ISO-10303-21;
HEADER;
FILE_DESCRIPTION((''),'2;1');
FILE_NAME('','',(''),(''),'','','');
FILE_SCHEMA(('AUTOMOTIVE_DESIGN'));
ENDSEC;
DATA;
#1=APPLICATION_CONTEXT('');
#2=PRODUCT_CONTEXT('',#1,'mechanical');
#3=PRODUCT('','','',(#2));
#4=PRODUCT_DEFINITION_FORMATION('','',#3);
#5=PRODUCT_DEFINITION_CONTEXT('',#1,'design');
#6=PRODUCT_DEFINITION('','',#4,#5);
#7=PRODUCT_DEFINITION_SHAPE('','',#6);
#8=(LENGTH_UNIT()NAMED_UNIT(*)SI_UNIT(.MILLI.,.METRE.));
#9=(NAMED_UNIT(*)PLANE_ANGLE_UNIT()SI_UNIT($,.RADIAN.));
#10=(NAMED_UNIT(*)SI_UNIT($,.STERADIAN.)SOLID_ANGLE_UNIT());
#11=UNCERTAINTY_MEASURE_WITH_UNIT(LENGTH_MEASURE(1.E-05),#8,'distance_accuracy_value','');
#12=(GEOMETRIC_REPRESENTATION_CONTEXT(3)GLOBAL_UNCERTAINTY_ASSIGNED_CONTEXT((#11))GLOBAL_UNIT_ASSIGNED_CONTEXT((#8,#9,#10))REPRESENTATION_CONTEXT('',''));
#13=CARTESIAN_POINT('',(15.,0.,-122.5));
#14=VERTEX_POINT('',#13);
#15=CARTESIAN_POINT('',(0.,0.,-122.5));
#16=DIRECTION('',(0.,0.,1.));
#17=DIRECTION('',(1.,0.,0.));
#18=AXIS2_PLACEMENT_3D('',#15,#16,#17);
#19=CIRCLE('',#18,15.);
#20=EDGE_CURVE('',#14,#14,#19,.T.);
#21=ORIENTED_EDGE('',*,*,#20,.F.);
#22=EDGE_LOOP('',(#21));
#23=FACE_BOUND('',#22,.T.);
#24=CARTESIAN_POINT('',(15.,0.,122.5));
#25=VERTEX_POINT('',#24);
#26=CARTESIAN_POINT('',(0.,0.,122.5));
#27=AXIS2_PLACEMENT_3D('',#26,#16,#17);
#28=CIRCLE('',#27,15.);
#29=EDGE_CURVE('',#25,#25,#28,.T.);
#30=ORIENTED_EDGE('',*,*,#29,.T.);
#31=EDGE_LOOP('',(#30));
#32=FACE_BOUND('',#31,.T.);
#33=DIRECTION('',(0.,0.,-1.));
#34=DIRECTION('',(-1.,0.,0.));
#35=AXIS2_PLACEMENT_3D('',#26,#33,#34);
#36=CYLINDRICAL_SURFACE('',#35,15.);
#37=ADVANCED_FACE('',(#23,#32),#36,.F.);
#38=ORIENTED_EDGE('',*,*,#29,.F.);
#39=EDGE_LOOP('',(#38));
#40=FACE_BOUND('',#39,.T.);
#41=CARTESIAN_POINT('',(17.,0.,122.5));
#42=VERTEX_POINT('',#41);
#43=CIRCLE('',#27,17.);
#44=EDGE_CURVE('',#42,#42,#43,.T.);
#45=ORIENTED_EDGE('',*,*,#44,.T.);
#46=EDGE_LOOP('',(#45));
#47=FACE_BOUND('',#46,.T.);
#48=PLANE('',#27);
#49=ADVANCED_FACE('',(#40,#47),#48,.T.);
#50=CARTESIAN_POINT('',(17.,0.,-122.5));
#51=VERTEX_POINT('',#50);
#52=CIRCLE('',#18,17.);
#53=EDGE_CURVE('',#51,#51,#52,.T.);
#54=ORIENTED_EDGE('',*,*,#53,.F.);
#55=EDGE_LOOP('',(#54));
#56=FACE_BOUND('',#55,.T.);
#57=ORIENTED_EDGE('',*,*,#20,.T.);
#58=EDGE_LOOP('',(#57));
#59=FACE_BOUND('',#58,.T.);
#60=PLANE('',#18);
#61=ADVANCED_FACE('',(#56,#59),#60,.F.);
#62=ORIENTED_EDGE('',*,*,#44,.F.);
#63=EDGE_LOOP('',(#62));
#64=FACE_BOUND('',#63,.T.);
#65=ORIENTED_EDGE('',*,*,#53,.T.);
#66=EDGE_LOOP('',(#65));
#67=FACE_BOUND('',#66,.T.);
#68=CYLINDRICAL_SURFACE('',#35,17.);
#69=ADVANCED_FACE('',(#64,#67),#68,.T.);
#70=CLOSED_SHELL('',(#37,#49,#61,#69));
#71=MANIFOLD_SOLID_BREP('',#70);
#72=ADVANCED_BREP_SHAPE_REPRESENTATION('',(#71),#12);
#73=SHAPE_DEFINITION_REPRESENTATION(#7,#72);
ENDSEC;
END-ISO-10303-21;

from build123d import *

# Parameters (mm, degrees)
SKETCH1_R           = 17
SKETCH1_R_2         = 15
BOSS_EXTRUDE1_DEPTH = 122.5


with BuildPart() as part:
    # Sketch1 → Boss-Extrude1 (new, symmetric)
    with BuildSketch(Plane.XY):
        Circle(SKETCH1_R)
        Circle(SKETCH1_R_2, mode=Mode.SUBTRACT)
    extrude(amount=BOSS_EXTRUDE1_DEPTH, both=True)


solid = part.part
